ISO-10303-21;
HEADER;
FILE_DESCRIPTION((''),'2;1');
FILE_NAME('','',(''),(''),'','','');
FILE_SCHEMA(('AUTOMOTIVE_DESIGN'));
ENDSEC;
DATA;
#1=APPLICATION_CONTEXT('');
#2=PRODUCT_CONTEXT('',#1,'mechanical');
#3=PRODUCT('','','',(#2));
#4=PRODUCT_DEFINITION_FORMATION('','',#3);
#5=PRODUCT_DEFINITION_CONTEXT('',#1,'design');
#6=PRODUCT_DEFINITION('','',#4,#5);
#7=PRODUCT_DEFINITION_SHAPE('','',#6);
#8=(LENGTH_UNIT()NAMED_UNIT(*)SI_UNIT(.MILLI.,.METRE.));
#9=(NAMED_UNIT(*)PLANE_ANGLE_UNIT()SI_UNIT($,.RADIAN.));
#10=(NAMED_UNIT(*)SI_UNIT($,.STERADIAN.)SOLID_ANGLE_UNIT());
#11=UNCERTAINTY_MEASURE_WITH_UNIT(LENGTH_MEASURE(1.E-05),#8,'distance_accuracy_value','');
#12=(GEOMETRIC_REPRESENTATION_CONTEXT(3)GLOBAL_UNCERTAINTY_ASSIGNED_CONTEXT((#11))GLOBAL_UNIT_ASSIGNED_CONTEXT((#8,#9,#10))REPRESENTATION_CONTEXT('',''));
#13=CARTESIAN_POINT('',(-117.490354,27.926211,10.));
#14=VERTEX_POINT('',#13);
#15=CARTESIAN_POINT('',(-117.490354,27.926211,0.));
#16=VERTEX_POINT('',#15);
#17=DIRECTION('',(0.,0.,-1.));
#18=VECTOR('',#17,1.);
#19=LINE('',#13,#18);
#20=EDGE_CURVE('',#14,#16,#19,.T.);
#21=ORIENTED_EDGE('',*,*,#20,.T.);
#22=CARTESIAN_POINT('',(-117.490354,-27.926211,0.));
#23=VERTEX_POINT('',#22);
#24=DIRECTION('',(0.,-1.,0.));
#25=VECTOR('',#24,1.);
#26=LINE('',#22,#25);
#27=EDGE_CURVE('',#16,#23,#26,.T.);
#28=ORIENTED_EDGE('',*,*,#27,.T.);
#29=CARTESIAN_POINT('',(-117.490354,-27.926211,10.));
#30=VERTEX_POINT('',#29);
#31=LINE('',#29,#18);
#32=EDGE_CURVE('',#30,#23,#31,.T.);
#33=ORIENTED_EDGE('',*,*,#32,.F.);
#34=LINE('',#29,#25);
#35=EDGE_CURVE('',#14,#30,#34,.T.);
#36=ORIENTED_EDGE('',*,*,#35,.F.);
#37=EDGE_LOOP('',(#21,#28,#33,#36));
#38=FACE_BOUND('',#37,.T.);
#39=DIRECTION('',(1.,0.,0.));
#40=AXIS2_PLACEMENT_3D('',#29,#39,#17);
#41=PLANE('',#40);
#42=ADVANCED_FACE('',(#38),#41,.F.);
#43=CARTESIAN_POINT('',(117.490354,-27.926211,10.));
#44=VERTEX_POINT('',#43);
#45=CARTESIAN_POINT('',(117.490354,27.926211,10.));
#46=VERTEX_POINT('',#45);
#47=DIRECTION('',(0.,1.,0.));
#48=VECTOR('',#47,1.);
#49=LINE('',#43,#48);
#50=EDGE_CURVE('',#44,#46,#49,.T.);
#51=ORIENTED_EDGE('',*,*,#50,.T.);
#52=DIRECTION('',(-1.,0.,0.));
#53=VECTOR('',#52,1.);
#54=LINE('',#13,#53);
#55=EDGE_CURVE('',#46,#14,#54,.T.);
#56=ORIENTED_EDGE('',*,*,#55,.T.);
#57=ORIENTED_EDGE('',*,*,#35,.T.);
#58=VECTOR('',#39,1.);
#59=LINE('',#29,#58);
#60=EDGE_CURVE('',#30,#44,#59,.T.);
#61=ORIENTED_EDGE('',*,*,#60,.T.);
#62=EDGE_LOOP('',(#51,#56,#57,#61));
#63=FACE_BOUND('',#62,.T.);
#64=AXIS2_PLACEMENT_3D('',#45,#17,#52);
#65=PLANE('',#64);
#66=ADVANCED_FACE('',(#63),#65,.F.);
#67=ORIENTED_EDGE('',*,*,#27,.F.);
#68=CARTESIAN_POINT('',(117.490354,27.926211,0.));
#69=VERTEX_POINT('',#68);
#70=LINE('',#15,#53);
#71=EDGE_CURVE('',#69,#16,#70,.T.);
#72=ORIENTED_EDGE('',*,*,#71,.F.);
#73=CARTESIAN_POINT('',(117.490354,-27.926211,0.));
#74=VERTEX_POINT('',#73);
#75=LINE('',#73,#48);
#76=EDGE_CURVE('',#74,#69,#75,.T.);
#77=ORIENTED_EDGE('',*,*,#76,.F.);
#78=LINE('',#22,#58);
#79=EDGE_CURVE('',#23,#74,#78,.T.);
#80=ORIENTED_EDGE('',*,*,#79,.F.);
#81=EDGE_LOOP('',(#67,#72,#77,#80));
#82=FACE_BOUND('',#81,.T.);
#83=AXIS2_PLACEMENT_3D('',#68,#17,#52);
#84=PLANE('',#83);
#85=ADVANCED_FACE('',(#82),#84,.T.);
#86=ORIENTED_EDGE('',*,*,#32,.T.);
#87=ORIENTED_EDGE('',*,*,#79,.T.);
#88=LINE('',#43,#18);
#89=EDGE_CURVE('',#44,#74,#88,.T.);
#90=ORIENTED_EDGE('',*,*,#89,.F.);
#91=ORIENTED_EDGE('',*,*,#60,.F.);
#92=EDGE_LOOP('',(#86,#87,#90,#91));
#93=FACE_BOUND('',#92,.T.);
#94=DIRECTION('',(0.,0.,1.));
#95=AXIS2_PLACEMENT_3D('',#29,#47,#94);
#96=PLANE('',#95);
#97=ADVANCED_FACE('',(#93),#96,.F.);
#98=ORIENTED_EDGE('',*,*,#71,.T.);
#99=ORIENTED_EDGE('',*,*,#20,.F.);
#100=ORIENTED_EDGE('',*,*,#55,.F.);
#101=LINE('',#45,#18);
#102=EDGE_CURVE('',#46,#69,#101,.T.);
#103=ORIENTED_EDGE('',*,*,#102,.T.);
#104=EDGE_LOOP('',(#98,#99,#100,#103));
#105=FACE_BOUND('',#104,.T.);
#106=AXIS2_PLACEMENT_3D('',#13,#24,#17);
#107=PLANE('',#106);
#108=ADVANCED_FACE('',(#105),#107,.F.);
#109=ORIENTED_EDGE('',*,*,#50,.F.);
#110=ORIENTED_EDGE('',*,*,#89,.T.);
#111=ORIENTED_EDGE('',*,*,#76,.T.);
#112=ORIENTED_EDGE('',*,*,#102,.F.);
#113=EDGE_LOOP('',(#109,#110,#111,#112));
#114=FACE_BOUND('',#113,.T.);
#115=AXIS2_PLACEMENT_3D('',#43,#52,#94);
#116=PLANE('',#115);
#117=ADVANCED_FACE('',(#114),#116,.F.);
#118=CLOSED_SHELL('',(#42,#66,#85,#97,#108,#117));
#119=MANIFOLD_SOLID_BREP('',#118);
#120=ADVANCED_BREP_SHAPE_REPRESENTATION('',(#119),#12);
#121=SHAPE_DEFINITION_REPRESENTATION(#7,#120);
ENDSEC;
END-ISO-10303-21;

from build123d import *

# Parameters (mm, degrees)
SKETCH1_W           = 234.980708934
SKETCH1_H           = 55.852422294
BOSS_EXTRUDE1_DEPTH = 10


with BuildPart() as part:
    # Sketch1 → Boss-Extrude1 (new body)
    with BuildSketch(Plane.XY):
        Rectangle(SKETCH1_W, SKETCH1_H)
    extrude(amount=BOSS_EXTRUDE1_DEPTH)


solid = part.part
